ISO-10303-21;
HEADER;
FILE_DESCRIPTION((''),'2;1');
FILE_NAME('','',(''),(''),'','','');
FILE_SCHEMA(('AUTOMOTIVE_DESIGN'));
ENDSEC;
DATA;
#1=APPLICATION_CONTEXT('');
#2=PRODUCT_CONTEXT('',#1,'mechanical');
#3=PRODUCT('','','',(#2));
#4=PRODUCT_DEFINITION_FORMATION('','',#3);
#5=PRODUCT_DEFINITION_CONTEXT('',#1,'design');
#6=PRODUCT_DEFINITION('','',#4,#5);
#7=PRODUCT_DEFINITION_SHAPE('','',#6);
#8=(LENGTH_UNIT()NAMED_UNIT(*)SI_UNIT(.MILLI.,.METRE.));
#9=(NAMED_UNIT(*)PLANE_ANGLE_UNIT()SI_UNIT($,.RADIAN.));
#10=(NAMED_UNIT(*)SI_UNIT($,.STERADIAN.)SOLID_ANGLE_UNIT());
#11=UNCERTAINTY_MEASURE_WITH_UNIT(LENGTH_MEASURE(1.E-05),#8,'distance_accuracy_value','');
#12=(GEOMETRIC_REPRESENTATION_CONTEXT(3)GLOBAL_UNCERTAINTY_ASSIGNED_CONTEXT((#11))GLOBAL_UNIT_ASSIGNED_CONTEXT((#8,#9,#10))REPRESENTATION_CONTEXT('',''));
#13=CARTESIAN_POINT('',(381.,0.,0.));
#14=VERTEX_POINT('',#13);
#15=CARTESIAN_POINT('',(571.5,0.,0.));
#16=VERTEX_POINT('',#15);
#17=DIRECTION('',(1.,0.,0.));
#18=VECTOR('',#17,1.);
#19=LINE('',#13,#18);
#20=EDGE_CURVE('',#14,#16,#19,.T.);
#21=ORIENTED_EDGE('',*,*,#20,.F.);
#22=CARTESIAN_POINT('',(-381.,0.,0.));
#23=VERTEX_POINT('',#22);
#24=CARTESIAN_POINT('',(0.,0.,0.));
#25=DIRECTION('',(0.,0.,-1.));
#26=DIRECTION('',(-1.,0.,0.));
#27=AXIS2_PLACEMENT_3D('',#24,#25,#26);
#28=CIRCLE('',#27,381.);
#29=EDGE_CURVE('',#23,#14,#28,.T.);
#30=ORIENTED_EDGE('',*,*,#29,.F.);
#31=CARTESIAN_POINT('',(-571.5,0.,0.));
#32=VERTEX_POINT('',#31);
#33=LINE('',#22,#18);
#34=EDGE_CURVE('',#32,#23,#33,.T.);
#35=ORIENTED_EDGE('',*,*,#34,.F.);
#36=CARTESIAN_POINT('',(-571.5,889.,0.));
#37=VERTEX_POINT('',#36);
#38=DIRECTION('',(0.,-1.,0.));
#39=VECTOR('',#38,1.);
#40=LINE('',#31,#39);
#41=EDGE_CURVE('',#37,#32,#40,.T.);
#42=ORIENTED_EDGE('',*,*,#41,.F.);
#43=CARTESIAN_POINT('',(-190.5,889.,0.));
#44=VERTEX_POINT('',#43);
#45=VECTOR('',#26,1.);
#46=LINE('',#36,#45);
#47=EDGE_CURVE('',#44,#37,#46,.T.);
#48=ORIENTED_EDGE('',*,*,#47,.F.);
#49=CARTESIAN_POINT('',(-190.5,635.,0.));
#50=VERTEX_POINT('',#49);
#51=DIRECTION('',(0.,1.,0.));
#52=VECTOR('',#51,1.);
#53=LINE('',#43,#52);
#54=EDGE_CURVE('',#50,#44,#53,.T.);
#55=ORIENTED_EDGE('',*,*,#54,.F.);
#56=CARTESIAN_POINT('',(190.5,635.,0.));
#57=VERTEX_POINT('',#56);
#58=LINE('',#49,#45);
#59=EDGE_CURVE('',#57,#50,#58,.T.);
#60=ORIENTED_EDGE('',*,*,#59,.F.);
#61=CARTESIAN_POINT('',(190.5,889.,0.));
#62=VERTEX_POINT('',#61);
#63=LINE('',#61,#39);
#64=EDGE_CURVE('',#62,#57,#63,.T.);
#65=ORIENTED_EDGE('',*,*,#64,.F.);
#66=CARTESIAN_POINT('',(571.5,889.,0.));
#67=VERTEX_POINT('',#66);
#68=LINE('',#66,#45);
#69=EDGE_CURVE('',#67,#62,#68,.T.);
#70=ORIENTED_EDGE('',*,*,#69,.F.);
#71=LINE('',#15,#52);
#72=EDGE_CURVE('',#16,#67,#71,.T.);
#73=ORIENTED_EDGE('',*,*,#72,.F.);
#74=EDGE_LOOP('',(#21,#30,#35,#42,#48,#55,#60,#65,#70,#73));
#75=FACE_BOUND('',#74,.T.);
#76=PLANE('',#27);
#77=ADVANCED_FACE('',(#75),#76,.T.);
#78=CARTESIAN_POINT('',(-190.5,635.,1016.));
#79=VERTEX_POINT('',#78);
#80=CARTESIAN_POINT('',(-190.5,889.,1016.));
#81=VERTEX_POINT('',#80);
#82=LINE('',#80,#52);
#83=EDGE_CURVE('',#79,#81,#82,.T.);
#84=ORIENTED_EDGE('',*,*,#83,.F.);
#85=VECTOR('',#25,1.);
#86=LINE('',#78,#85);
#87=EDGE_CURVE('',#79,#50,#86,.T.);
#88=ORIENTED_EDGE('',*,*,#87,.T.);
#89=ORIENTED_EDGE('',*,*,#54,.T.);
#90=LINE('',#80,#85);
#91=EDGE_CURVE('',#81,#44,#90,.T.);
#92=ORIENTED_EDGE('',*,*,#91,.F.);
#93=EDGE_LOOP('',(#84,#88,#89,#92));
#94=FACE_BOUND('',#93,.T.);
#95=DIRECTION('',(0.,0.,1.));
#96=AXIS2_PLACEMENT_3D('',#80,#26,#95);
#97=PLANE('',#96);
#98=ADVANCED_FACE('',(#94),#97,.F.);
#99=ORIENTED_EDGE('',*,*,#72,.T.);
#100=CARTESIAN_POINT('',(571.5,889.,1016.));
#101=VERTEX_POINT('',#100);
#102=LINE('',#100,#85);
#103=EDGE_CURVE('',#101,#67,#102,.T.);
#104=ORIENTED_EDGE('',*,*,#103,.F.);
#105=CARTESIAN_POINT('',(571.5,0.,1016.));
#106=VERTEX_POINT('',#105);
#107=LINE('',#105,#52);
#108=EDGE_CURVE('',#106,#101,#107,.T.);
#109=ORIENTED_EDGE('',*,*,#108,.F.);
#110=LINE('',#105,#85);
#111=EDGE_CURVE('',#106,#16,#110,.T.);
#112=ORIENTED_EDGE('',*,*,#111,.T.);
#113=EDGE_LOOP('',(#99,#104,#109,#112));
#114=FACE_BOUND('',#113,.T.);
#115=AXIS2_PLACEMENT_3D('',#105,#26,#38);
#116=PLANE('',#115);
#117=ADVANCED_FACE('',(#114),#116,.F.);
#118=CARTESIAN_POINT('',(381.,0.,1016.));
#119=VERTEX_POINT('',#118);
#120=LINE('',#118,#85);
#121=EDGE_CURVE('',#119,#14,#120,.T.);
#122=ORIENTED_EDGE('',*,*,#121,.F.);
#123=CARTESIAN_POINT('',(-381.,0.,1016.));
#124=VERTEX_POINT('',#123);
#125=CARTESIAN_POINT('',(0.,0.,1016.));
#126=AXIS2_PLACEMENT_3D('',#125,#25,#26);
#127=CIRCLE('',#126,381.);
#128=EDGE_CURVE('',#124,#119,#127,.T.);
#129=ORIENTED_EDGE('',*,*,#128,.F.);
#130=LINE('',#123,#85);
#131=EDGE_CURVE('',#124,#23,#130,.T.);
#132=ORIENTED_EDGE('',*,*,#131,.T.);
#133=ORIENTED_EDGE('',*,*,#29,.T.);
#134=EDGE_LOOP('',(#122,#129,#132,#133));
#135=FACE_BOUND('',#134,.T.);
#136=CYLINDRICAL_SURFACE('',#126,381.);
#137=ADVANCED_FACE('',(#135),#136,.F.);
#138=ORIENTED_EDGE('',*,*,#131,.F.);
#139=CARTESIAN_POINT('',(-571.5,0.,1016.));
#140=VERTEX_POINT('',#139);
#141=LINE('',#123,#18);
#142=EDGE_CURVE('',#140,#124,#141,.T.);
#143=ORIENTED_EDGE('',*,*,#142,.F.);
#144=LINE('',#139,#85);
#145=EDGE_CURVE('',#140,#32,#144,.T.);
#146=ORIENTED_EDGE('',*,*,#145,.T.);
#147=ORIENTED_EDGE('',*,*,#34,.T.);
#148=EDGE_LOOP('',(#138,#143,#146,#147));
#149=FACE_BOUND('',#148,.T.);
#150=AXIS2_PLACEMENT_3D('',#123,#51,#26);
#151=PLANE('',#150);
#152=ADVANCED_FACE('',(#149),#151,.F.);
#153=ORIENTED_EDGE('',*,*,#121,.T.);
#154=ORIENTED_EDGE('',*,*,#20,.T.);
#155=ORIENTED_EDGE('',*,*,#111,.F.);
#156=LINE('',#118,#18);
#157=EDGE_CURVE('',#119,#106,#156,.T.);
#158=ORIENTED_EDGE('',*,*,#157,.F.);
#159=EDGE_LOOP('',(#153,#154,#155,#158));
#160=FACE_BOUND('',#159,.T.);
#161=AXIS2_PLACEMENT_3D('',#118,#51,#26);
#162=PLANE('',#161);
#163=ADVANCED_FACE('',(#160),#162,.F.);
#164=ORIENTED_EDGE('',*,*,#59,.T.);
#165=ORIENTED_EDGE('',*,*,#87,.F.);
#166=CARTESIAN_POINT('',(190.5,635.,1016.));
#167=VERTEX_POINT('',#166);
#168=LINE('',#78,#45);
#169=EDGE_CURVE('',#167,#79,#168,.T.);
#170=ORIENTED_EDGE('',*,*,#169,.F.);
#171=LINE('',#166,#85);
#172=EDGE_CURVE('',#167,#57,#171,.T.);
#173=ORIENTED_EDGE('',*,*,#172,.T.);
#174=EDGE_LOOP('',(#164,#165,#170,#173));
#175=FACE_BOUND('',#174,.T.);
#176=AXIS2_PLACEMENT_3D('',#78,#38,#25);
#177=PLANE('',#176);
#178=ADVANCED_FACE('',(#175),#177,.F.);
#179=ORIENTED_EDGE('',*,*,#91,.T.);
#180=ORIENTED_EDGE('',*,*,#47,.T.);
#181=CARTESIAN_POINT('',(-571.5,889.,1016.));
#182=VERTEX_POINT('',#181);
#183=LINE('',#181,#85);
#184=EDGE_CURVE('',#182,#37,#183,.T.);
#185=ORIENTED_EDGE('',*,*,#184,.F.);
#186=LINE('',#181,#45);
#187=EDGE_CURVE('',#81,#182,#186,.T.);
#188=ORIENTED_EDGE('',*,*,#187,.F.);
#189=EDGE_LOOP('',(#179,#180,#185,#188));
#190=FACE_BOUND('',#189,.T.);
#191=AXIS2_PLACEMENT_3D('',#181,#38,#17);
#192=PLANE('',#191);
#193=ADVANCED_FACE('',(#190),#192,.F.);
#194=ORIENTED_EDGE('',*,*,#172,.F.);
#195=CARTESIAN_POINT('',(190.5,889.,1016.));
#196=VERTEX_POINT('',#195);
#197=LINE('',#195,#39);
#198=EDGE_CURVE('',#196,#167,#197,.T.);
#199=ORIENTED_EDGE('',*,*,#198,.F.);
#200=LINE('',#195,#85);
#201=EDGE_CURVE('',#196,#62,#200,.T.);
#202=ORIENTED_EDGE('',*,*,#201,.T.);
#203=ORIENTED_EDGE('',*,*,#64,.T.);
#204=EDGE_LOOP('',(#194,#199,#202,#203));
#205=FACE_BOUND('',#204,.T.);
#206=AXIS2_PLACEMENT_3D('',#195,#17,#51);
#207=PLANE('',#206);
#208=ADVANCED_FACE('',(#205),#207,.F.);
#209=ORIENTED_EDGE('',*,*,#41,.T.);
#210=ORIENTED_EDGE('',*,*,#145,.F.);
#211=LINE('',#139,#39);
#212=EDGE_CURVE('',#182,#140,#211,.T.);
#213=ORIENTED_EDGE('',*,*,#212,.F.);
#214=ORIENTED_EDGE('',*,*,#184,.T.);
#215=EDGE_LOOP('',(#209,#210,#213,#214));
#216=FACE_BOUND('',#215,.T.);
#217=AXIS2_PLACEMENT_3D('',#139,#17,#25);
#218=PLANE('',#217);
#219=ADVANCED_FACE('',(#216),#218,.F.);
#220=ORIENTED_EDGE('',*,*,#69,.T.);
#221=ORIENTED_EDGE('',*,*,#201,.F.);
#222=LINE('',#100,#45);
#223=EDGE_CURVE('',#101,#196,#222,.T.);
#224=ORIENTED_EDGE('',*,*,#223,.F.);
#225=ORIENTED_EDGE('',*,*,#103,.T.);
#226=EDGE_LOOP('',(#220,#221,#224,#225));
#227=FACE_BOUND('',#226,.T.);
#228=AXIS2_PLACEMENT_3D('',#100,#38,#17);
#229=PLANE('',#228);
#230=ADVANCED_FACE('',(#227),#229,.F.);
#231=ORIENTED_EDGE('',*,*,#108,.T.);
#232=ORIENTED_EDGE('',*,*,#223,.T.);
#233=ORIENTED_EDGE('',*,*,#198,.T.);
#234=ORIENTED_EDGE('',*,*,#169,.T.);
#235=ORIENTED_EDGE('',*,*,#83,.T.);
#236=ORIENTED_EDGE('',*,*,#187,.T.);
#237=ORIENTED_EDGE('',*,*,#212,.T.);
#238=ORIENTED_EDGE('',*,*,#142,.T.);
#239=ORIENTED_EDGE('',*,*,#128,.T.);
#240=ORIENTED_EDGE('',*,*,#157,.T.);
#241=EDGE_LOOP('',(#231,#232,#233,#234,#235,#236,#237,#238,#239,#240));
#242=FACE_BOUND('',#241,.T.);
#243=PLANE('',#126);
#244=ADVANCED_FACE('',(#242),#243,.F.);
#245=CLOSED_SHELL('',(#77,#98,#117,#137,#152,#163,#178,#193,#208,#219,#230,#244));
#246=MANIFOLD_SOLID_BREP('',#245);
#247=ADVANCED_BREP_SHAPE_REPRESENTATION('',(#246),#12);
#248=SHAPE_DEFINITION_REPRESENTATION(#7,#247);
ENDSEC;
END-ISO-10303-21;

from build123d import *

# Parameters (mm, degrees)
BOSS_EXTRUDE1_DEPTH = 1016


with BuildPart() as part:
    # Sketch1 → Boss-Extrude1 (new body)
    with BuildSketch(Plane.XY):
        with BuildLine():
            Line((-381, 0), (-571.5, 0))
            Line((-571.5, 0), (-571.5, 889))
            Line((-571.5, 889), (-190.5, 889))
            Line((-190.5, 889), (-190.5, 635))
            Line((-190.5, 635), (190.5, 635))
            Line((190.5, 635), (190.5, 889))
            Line((190.5, 889), (571.5, 889))
            Line((571.5, 889), (571.5, 0))
            Line((571.5, 0), (381, 0))
            ThreePointArc((381, 0), (0, 381), (-381, 0))
        make_face()
    extrude(amount=BOSS_EXTRUDE1_DEPTH)


solid = part.part
